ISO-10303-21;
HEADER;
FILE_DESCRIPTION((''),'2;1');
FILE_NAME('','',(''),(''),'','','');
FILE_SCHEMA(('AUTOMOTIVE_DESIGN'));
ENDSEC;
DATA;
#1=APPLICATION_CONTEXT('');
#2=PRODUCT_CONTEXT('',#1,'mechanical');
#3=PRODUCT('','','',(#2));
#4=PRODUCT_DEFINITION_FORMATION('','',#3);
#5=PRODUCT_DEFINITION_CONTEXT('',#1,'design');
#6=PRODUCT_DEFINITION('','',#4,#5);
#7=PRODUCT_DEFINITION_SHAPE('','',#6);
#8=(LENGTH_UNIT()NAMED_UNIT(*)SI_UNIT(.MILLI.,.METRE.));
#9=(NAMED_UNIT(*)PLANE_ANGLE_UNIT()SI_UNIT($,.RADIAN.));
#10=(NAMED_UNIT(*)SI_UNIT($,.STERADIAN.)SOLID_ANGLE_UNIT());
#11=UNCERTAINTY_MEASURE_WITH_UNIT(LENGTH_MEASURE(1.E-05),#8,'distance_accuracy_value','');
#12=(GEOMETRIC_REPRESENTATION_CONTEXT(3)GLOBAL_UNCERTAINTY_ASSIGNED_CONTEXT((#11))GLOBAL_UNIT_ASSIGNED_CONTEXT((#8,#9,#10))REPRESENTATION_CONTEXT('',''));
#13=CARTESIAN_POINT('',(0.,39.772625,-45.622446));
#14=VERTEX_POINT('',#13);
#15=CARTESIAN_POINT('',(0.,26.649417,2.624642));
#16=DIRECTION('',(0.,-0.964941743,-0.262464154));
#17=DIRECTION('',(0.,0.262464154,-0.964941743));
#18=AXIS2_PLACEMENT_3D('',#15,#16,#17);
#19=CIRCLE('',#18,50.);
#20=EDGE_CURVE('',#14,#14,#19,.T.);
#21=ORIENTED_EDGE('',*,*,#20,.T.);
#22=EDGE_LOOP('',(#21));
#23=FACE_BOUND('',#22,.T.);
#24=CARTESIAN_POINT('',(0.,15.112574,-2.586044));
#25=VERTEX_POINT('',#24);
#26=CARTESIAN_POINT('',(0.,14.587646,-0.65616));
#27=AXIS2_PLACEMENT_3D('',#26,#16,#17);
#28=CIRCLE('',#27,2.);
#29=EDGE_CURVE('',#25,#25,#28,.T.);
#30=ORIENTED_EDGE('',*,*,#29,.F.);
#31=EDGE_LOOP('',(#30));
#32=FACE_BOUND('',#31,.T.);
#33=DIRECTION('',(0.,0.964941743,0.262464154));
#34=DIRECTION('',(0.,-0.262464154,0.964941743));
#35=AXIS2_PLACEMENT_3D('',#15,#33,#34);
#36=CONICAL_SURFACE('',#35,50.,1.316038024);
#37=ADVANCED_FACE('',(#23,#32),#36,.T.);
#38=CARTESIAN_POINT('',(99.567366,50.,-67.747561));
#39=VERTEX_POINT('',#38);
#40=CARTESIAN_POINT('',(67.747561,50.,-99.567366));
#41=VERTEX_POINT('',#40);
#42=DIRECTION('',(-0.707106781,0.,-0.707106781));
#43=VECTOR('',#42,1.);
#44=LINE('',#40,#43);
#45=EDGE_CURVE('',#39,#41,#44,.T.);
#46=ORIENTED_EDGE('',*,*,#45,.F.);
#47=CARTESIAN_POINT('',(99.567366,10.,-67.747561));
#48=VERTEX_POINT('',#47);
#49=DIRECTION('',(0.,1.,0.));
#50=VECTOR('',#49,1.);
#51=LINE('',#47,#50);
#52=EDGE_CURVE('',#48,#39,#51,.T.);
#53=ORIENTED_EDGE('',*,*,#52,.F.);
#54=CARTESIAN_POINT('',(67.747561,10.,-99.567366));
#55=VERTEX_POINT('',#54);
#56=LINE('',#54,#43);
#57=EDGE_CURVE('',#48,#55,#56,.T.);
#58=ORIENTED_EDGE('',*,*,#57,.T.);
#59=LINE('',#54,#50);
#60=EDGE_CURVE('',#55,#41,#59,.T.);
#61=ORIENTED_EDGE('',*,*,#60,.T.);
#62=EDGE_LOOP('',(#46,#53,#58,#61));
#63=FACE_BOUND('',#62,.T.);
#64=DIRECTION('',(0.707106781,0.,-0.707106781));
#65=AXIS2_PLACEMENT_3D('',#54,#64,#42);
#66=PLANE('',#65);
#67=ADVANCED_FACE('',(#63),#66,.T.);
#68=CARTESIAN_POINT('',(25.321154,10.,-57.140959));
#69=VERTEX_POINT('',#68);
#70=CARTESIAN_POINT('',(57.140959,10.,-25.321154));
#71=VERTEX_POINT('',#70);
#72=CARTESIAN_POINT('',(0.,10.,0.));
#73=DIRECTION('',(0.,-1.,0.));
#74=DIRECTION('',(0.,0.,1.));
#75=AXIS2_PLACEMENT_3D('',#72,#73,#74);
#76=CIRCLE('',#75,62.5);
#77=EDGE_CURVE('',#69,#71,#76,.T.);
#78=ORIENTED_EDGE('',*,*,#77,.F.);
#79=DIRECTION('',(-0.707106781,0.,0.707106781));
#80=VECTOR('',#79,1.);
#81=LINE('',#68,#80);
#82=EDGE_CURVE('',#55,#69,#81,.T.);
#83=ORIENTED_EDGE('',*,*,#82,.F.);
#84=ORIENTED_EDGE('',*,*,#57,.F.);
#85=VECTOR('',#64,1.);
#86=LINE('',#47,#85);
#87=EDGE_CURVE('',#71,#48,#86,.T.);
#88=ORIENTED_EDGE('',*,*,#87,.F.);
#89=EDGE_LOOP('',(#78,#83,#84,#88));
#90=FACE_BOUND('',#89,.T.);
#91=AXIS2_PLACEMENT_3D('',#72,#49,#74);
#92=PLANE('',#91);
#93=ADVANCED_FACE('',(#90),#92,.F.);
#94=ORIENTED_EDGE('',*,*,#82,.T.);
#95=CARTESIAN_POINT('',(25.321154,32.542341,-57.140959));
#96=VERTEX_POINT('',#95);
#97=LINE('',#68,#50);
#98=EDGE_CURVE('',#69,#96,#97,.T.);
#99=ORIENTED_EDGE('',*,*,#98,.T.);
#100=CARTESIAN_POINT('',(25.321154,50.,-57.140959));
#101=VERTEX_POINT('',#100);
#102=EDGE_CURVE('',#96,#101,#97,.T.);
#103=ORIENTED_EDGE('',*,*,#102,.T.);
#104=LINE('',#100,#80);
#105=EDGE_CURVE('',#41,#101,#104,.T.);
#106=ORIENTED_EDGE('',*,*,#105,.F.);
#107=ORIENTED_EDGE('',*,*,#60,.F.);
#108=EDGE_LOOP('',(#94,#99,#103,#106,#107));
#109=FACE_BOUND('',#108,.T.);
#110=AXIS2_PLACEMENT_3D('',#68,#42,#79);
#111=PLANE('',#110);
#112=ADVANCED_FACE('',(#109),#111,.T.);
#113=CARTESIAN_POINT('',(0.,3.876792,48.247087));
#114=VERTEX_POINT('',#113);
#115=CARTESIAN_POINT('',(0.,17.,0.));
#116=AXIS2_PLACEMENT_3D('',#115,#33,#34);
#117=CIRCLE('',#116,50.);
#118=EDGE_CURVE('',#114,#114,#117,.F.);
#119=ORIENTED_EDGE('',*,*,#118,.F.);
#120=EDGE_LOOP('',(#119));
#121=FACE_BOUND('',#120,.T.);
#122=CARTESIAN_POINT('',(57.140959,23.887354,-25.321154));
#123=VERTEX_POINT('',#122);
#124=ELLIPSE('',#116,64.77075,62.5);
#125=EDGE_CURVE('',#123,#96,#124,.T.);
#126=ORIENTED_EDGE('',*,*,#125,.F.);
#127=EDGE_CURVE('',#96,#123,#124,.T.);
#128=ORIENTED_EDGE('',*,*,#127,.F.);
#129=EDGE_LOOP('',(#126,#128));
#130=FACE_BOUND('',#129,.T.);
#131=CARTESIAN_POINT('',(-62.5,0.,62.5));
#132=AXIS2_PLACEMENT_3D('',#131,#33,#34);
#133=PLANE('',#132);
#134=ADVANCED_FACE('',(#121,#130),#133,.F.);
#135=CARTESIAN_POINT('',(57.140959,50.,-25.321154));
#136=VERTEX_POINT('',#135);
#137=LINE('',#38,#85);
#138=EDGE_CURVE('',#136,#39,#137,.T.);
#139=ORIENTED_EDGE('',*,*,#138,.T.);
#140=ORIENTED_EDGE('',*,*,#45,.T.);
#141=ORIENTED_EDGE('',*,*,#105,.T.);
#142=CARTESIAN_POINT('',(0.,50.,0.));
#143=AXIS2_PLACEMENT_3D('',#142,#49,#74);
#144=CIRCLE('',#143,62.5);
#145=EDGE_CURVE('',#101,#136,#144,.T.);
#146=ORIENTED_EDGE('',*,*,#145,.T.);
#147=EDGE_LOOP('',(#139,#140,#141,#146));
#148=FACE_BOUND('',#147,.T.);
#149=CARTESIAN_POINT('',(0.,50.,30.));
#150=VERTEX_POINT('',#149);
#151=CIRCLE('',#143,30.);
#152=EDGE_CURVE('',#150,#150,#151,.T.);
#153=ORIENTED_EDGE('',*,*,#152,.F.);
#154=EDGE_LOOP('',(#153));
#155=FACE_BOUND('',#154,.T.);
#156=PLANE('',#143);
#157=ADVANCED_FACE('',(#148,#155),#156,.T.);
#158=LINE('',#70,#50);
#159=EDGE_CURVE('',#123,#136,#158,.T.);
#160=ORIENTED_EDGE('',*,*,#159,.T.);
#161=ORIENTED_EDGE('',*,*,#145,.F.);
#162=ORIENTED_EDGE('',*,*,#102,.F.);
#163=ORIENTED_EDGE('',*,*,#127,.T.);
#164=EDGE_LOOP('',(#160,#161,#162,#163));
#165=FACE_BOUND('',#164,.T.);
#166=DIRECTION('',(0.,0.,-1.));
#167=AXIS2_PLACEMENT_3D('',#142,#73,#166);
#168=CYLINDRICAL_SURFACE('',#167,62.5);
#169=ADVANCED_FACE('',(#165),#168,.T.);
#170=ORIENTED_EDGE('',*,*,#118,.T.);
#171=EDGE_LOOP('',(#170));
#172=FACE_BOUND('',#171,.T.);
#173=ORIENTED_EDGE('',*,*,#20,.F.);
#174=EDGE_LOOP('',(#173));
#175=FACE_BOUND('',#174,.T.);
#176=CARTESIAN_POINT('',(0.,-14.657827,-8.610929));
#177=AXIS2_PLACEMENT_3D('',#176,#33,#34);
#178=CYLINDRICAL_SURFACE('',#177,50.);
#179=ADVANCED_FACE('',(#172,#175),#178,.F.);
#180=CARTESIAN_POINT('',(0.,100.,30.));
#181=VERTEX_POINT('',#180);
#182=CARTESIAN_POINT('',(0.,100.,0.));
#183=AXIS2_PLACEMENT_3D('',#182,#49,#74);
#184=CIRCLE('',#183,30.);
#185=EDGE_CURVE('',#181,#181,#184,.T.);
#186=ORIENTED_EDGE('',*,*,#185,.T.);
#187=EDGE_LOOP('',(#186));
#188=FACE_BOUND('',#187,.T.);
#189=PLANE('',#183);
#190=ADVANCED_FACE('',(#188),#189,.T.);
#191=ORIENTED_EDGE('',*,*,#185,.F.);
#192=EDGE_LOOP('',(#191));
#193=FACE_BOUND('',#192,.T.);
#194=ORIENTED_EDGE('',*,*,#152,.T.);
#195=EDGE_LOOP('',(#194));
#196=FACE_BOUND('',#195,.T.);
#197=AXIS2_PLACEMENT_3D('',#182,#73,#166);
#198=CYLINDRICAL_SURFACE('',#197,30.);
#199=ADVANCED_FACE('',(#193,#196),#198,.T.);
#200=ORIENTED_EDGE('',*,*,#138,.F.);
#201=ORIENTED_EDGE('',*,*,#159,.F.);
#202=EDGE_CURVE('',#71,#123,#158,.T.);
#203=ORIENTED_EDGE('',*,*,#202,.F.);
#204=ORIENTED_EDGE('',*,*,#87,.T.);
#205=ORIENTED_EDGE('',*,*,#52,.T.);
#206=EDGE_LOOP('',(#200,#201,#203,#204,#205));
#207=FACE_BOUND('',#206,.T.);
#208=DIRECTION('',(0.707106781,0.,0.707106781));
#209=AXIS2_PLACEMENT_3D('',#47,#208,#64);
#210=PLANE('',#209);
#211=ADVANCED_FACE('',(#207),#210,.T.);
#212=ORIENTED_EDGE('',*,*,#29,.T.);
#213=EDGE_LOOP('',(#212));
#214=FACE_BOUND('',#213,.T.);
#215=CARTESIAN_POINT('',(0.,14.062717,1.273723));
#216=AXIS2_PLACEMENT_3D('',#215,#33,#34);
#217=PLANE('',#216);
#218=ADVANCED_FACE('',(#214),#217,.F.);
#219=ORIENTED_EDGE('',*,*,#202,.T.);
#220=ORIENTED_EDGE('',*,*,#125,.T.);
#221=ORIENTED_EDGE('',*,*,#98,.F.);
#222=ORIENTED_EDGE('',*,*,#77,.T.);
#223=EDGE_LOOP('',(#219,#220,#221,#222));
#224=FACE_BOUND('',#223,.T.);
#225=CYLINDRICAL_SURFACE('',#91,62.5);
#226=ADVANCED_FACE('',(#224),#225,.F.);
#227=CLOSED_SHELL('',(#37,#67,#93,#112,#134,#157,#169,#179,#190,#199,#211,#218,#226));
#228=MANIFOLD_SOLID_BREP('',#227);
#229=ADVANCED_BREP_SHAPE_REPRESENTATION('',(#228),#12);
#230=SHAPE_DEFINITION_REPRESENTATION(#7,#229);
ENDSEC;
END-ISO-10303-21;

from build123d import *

# Parameters (mm, degrees)
SKETCH2_R               = 62.5
BOSS_EXTRUDE1_DEPTH     = 50
CUT_EXTRUDE1_DEPTH      = 63.5
CUT_EXTRUDE1_DEPTH_BACK = 63.5
SKETCH4_R               = 30
BOSS_EXTRUDE2_DEPTH     = 50
SKETCH5_R               = 50
CUT_EXTRUDE2_DEPTH      = 33.808019269
CUT_EXTRUDE2_DEPTH_BACK = 10
BOSS_EXTRUDE3_DEPTH     = 40


with BuildPart() as part:
    # Sketch2 → Boss-Extrude1 (new body)
    with BuildSketch(Plane(origin=(0, 0, 0), x_dir=(1, 0, 0), z_dir=(0, 1, 0))):
        Circle(SKETCH2_R)
    extrude(amount=BOSS_EXTRUDE1_DEPTH)

    # Sketch3 → Cut-Extrude1 (cut, two sides)
    with BuildSketch(Plane(origin=(0, 0, 0), x_dir=(0, 0, -1), z_dir=(1, 0, 0))) as cut_extrude1_sk:
        Polygon((-62.5, 0), (62.5, 34), (62.5, 0), align=None)
    extrude(amount=CUT_EXTRUDE1_DEPTH, mode=Mode.SUBTRACT)
    extrude(cut_extrude1_sk.sketch, amount=-CUT_EXTRUDE1_DEPTH_BACK, mode=Mode.SUBTRACT)

    # Sketch4 → Boss-Extrude2 (add)
    with BuildSketch(Plane(origin=(0, 50, 0), x_dir=(1, 0, 0), z_dir=(0, 1, 0))):
        Circle(SKETCH4_R)
    extrude(amount=BOSS_EXTRUDE2_DEPTH)

    # Sketch5 → Cut-Extrude2 (cut, two sides)
    with BuildSketch(Plane(origin=(0, 15.828913652, 4.305464513), x_dir=(1, 0, 0), z_dir=(0, -0.964941743, -0.262464154))) as cut_extrude2_sk:
        with Locations((0, -4.461890621)):
            Circle(SKETCH5_R)
    extrude(amount=CUT_EXTRUDE2_DEPTH, mode=Mode.SUBTRACT)
    extrude(cut_extrude2_sk.sketch, amount=-CUT_EXTRUDE2_DEPTH_BACK, mode=Mode.SUBTRACT)

    # Sketch7 → Revolve1 (revolve)
    with BuildSketch(Plane(origin=(0, 0, 0), x_dir=(0, 0, -1), z_dir=(1, 0, 0))):
        Polygon((-50.871728702, 13.526209724), (-1.273723101, 14.062717334), (0.656160385, 14.587645642), (-2.624641542, 26.649417432), align=None)
    revolve(axis=Axis((0, 14.587645642, -0.656160385), (0, 0.964941743, 0.262464154)))

    # Sketch8 → Boss-Extrude3 (add)
    with BuildSketch(Plane(origin=(0, 50, 0), x_dir=(1, 0, 0), z_dir=(0, 1, 0))):
        with BuildLine():
            Line((25.321153679, 57.140958833), (67.747560551, 99.567365704))
            Line((67.747560551, 99.567365704), (99.567365704, 67.747560551))
            Line((99.567365704, 67.747560551), (57.140958833, 25.321153679))
            ThreePointArc((57.140958833, 25.321153679), (44.194173824, 44.194173824), (25.321153679, 57.140958833))
        make_face()
    extrude(amount=-BOSS_EXTRUDE3_DEPTH)


solid = part.part
